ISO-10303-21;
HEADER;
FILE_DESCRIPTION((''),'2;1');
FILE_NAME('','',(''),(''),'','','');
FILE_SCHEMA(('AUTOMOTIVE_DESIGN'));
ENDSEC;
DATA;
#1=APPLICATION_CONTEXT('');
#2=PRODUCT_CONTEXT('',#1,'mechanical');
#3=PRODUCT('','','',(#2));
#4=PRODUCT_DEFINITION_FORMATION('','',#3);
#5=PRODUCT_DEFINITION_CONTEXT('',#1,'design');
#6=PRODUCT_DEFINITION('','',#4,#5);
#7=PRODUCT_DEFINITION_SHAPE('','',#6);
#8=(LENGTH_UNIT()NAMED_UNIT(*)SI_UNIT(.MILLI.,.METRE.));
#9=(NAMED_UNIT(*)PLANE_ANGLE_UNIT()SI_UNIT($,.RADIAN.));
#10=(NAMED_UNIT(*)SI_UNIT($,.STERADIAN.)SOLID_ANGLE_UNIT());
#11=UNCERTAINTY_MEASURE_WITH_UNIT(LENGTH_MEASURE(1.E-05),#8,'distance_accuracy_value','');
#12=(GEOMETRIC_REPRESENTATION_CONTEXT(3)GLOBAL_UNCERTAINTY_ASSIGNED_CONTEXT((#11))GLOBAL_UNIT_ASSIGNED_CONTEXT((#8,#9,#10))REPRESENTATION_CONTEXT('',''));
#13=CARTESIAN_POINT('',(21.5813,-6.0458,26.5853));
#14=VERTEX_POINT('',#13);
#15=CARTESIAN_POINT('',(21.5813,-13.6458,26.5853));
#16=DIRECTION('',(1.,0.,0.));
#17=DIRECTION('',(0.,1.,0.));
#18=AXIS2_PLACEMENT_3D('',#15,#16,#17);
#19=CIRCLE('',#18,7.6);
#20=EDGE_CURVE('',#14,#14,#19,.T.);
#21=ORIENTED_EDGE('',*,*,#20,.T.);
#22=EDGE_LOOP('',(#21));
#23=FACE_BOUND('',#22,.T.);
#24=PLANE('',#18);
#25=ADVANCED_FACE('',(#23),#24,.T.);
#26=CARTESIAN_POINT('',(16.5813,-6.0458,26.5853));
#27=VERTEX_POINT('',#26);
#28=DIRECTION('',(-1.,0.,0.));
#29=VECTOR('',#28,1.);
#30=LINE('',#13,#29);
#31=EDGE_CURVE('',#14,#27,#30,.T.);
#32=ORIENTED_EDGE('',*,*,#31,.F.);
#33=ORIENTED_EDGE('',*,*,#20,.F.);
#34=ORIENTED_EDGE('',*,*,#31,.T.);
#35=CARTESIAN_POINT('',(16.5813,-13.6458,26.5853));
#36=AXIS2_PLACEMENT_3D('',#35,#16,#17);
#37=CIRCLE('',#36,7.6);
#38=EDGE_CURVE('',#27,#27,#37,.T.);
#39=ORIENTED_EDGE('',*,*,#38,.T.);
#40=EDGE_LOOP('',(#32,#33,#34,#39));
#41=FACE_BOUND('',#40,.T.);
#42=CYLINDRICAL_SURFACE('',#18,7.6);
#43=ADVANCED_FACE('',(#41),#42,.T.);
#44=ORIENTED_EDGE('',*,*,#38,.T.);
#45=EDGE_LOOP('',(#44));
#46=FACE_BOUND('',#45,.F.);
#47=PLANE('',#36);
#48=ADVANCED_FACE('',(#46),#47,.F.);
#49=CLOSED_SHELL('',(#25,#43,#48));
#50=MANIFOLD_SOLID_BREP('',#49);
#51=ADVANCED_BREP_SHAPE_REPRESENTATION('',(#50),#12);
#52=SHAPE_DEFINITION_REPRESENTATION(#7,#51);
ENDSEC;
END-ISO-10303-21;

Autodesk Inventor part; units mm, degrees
ref_plane "YZ Plane" through (0, 0, 0) normal (1, 0, 0) x (0, 1, 0)
ref_plane "XZ Plane" through (0, 0, 0) normal (0, 1, 0) x (-1, 0, 0)
ref_plane "XY Plane" through (0, 0, 0) normal (0, 0, 1) x (1, 0, 0)
ref_plane "Work Plane1" through (21.5813, -13.6458, 26.5853) normal (1, 0, 0) x (0, 1, 0)
sketch "Sketch1" plane through (21.5813, -13.6458, 26.5853) normal (1, 0, 0) x (0, 1, 0)
  circle A0 centre (0, 0) radius 7.75 projected
  circle A1 centre (0, 0) radius 7.6
  point P0 (13.6458, -26.5853)
  dimension "d0" = 15.2
extrude "Extrusion1" add sketch "Sketch1" against normal blind 5 contours A1
properties part number "cap"
